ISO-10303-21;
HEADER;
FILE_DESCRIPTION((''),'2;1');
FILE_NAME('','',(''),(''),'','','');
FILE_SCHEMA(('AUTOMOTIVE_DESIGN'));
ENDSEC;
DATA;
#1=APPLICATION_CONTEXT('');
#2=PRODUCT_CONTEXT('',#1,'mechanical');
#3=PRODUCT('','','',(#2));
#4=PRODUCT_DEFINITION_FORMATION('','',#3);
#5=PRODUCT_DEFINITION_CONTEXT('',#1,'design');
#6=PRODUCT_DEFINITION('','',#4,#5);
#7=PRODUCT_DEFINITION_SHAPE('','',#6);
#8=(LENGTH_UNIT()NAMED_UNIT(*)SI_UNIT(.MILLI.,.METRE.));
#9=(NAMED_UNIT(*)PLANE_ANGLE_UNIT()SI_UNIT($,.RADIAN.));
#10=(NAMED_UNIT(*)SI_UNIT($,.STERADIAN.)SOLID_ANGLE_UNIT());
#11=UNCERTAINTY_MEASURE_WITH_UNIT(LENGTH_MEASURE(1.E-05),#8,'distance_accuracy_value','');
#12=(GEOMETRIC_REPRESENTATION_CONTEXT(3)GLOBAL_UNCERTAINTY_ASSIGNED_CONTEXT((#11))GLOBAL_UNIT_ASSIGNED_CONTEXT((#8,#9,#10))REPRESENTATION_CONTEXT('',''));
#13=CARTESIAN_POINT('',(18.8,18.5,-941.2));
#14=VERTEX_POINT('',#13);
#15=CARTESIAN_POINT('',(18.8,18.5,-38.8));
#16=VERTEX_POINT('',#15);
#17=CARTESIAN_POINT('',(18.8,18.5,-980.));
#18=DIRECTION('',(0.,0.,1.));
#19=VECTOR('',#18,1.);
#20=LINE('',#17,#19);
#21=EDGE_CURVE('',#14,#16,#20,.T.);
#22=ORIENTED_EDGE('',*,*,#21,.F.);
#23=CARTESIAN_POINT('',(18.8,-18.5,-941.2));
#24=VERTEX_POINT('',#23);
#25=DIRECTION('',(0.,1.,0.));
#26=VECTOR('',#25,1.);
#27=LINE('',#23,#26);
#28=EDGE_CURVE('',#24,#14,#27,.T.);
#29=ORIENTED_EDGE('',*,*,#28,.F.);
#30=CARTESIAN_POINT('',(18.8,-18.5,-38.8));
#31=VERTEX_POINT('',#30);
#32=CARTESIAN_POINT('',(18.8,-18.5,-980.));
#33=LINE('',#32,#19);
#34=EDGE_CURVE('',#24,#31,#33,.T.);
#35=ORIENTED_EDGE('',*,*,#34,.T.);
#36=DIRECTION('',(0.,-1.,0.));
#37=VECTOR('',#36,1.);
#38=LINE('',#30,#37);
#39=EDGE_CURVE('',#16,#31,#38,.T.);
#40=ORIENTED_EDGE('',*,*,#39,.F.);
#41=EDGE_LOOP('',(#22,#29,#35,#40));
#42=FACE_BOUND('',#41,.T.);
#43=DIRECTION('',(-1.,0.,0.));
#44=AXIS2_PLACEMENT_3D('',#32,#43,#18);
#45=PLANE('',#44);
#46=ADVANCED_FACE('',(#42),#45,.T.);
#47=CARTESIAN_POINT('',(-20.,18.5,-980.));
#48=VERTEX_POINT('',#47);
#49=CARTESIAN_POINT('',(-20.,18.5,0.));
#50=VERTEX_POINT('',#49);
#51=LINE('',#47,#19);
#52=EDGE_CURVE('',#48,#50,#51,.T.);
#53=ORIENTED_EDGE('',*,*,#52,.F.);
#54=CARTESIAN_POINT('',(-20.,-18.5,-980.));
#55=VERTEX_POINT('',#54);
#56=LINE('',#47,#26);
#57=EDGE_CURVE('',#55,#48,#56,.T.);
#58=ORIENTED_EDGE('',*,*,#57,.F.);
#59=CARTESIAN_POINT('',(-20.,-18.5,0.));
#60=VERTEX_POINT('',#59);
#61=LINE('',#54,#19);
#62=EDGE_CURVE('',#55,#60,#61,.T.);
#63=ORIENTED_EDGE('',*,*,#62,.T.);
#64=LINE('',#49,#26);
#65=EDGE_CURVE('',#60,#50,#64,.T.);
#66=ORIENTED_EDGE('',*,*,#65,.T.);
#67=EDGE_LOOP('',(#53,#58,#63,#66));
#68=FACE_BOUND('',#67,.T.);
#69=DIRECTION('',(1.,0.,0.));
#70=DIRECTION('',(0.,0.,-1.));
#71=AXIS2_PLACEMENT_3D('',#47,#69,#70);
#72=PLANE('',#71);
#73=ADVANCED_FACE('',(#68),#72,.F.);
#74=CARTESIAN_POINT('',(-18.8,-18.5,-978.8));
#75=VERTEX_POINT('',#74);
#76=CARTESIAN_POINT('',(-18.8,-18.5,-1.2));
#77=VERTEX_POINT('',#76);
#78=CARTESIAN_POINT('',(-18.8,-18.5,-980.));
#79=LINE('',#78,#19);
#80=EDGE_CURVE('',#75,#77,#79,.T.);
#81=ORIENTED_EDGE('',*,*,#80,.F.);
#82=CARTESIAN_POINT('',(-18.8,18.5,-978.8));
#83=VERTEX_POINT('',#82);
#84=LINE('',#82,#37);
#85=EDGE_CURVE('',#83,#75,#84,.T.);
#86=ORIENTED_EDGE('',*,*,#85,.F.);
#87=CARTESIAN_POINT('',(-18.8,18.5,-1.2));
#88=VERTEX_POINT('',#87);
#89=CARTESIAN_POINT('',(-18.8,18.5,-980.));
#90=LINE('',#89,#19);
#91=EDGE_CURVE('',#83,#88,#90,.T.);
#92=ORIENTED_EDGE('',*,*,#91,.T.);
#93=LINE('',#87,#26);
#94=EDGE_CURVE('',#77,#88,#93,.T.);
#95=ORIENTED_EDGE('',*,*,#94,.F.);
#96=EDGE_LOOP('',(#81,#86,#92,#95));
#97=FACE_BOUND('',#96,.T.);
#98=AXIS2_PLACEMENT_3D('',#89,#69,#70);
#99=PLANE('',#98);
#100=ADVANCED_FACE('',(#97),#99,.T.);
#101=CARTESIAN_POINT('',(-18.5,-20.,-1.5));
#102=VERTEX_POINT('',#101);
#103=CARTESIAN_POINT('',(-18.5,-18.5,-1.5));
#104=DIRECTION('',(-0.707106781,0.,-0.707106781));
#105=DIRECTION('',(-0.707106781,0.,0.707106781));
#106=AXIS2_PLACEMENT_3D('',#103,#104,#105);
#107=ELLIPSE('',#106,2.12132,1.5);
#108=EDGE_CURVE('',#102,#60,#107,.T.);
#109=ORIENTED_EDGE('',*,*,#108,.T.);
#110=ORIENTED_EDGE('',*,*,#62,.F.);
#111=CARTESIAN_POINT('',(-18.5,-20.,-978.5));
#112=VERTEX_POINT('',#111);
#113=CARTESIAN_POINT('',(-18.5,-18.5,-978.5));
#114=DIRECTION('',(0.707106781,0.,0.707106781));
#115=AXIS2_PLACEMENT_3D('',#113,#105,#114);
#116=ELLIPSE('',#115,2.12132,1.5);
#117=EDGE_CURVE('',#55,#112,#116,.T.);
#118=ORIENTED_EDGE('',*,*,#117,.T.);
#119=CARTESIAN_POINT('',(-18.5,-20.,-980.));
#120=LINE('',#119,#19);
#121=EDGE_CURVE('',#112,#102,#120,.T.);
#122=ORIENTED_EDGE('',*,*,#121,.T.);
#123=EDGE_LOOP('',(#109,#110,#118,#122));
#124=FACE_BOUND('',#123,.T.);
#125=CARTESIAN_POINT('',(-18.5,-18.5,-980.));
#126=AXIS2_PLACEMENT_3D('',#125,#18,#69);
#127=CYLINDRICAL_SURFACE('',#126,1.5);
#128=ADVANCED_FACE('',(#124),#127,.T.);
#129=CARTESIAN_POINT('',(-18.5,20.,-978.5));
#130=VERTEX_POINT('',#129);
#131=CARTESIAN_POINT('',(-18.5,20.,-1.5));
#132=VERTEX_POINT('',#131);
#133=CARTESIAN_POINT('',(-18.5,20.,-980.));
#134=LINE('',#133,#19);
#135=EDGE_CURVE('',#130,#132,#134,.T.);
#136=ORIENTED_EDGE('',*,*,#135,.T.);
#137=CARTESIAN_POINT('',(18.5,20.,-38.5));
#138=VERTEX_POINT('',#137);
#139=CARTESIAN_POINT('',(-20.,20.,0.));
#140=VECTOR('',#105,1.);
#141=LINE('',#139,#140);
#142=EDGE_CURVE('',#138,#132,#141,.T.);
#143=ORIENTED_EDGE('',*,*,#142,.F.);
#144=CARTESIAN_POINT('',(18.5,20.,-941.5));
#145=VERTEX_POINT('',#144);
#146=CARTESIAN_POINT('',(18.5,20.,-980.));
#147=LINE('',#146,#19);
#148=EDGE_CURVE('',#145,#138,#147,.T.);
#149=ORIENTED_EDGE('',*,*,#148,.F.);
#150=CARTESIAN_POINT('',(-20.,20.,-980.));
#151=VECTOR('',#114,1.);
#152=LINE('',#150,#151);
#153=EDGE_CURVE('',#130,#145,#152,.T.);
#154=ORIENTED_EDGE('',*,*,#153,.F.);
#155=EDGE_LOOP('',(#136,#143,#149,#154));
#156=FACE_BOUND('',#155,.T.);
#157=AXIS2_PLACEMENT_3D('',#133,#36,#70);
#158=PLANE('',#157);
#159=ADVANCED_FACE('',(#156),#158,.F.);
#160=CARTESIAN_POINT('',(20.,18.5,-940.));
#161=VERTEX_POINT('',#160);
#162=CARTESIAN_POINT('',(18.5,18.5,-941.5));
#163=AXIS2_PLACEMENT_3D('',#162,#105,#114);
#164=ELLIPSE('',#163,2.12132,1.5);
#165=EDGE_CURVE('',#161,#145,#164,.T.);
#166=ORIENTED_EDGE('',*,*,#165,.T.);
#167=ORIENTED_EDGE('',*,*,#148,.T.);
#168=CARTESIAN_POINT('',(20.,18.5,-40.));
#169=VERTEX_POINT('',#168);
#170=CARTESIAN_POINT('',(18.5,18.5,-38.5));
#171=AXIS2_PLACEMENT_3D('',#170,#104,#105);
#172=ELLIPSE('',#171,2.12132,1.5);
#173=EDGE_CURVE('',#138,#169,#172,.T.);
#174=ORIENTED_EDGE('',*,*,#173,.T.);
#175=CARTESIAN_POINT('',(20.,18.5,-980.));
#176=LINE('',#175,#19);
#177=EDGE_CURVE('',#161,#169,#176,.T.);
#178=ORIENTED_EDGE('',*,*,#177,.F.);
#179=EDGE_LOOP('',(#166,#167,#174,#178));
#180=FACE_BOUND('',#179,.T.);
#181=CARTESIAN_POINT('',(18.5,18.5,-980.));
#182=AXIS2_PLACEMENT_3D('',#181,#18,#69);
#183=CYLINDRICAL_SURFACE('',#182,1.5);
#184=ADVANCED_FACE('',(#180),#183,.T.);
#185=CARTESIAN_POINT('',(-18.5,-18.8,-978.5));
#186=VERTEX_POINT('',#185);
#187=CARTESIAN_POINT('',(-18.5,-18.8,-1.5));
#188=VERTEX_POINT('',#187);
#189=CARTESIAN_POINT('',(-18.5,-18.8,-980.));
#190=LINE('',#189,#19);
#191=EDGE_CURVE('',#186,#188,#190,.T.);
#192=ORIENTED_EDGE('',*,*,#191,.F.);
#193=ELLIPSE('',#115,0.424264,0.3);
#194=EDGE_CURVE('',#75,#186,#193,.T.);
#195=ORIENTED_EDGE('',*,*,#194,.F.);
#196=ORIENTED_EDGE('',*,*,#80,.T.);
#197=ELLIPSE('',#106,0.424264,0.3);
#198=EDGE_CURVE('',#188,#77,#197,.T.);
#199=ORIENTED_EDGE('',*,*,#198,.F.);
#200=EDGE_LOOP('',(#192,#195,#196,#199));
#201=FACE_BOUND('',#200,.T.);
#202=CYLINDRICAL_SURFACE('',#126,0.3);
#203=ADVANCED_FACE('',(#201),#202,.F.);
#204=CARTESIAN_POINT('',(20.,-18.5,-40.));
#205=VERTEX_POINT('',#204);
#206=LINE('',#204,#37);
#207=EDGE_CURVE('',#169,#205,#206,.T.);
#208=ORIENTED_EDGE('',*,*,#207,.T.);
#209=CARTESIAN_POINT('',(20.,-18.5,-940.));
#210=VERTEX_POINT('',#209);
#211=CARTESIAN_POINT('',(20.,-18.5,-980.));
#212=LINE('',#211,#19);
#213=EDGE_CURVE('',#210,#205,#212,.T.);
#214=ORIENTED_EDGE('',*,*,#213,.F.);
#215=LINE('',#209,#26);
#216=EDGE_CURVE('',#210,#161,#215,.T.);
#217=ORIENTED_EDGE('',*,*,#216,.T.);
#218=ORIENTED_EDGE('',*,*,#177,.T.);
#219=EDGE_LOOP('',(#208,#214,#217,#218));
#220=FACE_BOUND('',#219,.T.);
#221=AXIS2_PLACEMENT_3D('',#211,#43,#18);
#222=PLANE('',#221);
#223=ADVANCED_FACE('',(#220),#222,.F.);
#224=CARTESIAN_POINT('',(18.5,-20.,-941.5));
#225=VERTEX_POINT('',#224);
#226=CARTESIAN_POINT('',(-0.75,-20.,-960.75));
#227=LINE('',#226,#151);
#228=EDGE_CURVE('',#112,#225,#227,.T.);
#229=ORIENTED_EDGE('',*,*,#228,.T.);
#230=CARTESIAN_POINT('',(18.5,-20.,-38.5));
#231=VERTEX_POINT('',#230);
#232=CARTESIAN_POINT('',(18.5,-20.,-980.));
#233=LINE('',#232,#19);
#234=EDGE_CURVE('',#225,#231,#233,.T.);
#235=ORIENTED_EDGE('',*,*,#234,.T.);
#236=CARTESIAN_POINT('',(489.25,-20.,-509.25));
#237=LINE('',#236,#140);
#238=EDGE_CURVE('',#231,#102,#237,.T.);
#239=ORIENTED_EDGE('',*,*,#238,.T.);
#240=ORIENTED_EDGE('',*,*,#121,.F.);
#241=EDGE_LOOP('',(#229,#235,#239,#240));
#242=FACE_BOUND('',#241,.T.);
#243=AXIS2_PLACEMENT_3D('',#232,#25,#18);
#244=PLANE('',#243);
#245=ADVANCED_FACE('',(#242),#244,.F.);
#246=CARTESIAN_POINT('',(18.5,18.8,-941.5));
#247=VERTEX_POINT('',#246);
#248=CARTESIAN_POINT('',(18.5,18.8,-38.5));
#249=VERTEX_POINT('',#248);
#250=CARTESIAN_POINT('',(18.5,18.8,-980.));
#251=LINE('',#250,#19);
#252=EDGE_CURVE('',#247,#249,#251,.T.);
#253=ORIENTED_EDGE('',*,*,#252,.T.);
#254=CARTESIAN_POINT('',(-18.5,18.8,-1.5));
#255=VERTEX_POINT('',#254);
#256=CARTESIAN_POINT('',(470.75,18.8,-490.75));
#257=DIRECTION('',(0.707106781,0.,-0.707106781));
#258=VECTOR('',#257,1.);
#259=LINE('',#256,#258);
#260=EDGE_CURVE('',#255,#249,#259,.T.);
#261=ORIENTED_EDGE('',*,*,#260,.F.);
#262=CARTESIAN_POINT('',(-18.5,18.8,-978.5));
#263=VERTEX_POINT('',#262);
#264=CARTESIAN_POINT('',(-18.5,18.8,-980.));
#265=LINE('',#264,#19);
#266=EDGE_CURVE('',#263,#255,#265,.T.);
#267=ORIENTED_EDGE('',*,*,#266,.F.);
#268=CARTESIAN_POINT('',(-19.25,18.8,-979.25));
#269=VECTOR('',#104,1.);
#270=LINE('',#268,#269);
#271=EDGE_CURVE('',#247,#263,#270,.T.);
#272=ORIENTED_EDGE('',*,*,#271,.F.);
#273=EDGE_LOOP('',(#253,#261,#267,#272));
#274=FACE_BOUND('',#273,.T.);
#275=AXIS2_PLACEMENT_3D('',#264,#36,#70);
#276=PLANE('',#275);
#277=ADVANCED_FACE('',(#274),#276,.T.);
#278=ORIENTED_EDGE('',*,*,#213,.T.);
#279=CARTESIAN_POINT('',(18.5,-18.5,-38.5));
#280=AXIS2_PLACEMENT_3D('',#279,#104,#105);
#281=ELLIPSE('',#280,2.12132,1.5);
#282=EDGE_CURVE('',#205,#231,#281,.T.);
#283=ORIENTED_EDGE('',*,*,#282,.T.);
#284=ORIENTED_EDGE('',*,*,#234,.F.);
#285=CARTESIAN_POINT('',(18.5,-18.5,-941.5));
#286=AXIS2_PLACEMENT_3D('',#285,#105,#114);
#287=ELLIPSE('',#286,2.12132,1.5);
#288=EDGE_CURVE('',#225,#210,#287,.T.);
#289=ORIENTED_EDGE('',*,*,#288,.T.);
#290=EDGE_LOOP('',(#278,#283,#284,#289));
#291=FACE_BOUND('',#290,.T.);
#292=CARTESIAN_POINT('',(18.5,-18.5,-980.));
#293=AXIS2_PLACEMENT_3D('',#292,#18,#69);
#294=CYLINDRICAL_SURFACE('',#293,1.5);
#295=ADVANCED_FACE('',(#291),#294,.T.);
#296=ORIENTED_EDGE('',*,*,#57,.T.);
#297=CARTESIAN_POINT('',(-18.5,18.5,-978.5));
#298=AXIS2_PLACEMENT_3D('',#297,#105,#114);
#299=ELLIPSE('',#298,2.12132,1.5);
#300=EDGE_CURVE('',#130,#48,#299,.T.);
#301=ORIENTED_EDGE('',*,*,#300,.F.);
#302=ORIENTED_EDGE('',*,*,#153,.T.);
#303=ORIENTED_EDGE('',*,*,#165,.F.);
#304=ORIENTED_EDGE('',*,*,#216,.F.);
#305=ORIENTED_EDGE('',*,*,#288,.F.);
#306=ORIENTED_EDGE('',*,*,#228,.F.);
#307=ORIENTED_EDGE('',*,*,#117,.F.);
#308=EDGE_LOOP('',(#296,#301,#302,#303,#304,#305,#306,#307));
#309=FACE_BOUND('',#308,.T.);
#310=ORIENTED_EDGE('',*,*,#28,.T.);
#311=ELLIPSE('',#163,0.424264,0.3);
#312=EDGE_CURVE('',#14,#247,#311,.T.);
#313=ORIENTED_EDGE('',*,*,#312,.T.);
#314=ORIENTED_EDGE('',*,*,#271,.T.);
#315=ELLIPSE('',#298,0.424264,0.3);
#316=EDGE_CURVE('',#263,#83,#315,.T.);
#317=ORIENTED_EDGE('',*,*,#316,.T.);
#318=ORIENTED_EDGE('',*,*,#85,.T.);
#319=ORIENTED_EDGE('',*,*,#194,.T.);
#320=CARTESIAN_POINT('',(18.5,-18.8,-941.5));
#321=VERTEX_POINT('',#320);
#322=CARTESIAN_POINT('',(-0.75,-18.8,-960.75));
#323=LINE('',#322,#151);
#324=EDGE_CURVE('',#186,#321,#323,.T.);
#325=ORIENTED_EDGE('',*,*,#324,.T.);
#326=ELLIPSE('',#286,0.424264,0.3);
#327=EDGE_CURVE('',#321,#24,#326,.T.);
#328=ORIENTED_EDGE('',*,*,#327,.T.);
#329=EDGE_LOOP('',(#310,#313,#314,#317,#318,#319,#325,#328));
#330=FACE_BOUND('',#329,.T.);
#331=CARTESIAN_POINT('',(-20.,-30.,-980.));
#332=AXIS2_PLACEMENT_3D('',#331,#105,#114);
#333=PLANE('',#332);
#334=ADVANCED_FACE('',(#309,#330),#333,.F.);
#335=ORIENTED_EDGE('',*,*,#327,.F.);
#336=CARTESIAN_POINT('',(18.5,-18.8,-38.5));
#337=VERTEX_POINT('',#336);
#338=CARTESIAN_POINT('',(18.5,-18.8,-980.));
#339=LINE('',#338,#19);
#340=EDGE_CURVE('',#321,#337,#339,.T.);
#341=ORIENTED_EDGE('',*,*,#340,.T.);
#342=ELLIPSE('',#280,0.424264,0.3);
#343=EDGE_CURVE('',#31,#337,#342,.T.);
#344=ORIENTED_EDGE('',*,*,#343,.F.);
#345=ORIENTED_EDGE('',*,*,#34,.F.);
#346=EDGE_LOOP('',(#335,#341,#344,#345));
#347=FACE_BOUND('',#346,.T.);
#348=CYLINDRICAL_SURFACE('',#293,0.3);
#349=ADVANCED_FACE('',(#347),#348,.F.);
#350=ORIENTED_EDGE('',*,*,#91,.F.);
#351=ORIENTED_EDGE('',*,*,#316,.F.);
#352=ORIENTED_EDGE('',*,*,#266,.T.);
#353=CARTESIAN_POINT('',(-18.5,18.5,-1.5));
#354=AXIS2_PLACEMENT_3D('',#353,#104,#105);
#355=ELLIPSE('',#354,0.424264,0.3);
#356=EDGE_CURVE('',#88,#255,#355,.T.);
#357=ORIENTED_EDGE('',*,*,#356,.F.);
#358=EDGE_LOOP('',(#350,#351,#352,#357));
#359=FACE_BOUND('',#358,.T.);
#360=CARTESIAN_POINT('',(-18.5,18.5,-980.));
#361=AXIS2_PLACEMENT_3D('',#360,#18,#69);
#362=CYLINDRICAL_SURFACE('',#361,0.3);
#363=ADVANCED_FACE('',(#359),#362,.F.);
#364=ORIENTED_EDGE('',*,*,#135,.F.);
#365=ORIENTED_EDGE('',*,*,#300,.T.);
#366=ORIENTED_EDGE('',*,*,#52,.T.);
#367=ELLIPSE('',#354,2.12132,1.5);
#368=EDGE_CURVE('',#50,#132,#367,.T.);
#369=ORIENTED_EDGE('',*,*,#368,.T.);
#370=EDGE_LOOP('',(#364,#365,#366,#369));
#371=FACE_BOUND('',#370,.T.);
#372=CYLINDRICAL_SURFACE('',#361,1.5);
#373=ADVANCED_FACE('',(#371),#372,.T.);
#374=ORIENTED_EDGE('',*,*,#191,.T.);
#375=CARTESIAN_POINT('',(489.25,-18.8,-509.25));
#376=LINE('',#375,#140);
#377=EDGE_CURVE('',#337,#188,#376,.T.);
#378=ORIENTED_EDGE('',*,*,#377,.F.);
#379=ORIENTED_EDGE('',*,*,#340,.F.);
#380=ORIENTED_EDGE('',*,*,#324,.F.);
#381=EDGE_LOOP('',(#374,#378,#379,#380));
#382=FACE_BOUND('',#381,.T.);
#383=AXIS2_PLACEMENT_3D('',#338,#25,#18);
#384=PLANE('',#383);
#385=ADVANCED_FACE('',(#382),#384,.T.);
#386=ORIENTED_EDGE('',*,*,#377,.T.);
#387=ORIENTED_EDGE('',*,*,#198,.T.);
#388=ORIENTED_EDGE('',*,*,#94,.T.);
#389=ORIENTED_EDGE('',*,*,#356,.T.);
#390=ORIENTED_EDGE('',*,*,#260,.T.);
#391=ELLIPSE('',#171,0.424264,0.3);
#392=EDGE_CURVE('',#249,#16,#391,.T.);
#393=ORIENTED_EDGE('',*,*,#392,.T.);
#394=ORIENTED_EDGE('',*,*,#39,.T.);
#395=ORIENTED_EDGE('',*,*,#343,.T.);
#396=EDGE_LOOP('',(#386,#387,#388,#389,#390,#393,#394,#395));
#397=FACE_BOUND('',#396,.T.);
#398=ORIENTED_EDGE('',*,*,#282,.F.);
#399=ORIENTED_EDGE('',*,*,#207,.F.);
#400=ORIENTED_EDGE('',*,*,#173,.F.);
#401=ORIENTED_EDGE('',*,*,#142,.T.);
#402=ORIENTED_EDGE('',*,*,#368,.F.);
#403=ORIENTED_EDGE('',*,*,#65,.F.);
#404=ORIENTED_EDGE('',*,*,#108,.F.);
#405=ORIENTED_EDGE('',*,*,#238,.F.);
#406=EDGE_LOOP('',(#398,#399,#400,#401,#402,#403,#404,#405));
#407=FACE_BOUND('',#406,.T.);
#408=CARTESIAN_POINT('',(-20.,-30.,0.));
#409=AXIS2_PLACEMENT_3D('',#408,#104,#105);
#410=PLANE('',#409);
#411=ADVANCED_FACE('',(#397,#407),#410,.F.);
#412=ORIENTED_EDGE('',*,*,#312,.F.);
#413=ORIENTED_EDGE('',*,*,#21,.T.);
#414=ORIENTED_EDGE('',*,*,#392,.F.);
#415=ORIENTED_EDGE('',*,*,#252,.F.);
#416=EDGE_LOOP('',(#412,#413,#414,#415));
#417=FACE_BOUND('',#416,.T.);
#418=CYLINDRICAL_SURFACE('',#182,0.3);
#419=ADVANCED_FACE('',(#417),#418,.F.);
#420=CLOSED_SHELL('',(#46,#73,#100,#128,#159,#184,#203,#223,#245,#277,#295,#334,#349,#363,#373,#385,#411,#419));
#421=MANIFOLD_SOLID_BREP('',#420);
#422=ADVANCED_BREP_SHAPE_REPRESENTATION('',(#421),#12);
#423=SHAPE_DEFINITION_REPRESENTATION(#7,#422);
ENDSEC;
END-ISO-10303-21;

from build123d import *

# Parameters (mm, degrees)
STRUCTURAL_MEMBER1_DEPTH = 980
CUT_EXTRUDE1_DEPTH       = 50


with BuildPart() as part:
    # Sketch12 → Structural Member1 (new body)
    with BuildSketch(Plane(origin=(0, 0, 0), x_dir=(-1, 0, 0), z_dir=(0, 0, -1))):
        with BuildLine():
            Line((-18.5, -20), (18.5, -20))
            ThreePointArc((18.5, -20), (19.560660172, -19.560660172), (20, -18.5))
            Line((20, -18.5), (20, 18.5))
            ThreePointArc((20, 18.5), (19.560660172, 19.560660172), (18.5, 20))
            Line((18.5, 20), (-18.5, 20))
            ThreePointArc((-18.5, 20), (-19.560660172, 19.560660172), (-20, 18.5))
            Line((-20, 18.5), (-20, -18.5))
            ThreePointArc((-20, -18.5), (-19.560660172, -19.560660172), (-18.5, -20))
        make_face()
        with BuildLine():
            Line((-18.5, -18.8), (18.5, -18.8))
            ThreePointArc((18.5, -18.8), (18.712132034, -18.712132034), (18.8, -18.5))
            Line((18.8, -18.5), (18.8, 18.5))
            ThreePointArc((18.8, 18.5), (18.712132034, 18.712132034), (18.5, 18.8))
            Line((18.5, 18.8), (-18.5, 18.8))
            ThreePointArc((-18.5, 18.8), (-18.712132034, 18.712132034), (-18.8, 18.5))
            Line((-18.8, 18.5), (-18.8, -18.5))
            ThreePointArc((-18.8, -18.5), (-18.712132034, -18.712132034), (-18.5, -18.8))
        make_face(mode=Mode.SUBTRACT)
    extrude(amount=STRUCTURAL_MEMBER1_DEPTH)

    # Sketch13 → Cut-Extrude1 (cut)
    with BuildSketch(Plane(origin=(0, 20, 0), x_dir=(1, 0, 0), z_dir=(0, 1, 0))):
        Polygon((-20, 980), (33.390807619, 926.609192381), (46.736117165, 1004.399995298), align=None)
        Polygon((46.736117165, -24.399995298), (33.390807619, 53.390807619), (-20, 0), align=None)
    extrude(amount=-CUT_EXTRUDE1_DEPTH, mode=Mode.SUBTRACT)


solid = part.part
